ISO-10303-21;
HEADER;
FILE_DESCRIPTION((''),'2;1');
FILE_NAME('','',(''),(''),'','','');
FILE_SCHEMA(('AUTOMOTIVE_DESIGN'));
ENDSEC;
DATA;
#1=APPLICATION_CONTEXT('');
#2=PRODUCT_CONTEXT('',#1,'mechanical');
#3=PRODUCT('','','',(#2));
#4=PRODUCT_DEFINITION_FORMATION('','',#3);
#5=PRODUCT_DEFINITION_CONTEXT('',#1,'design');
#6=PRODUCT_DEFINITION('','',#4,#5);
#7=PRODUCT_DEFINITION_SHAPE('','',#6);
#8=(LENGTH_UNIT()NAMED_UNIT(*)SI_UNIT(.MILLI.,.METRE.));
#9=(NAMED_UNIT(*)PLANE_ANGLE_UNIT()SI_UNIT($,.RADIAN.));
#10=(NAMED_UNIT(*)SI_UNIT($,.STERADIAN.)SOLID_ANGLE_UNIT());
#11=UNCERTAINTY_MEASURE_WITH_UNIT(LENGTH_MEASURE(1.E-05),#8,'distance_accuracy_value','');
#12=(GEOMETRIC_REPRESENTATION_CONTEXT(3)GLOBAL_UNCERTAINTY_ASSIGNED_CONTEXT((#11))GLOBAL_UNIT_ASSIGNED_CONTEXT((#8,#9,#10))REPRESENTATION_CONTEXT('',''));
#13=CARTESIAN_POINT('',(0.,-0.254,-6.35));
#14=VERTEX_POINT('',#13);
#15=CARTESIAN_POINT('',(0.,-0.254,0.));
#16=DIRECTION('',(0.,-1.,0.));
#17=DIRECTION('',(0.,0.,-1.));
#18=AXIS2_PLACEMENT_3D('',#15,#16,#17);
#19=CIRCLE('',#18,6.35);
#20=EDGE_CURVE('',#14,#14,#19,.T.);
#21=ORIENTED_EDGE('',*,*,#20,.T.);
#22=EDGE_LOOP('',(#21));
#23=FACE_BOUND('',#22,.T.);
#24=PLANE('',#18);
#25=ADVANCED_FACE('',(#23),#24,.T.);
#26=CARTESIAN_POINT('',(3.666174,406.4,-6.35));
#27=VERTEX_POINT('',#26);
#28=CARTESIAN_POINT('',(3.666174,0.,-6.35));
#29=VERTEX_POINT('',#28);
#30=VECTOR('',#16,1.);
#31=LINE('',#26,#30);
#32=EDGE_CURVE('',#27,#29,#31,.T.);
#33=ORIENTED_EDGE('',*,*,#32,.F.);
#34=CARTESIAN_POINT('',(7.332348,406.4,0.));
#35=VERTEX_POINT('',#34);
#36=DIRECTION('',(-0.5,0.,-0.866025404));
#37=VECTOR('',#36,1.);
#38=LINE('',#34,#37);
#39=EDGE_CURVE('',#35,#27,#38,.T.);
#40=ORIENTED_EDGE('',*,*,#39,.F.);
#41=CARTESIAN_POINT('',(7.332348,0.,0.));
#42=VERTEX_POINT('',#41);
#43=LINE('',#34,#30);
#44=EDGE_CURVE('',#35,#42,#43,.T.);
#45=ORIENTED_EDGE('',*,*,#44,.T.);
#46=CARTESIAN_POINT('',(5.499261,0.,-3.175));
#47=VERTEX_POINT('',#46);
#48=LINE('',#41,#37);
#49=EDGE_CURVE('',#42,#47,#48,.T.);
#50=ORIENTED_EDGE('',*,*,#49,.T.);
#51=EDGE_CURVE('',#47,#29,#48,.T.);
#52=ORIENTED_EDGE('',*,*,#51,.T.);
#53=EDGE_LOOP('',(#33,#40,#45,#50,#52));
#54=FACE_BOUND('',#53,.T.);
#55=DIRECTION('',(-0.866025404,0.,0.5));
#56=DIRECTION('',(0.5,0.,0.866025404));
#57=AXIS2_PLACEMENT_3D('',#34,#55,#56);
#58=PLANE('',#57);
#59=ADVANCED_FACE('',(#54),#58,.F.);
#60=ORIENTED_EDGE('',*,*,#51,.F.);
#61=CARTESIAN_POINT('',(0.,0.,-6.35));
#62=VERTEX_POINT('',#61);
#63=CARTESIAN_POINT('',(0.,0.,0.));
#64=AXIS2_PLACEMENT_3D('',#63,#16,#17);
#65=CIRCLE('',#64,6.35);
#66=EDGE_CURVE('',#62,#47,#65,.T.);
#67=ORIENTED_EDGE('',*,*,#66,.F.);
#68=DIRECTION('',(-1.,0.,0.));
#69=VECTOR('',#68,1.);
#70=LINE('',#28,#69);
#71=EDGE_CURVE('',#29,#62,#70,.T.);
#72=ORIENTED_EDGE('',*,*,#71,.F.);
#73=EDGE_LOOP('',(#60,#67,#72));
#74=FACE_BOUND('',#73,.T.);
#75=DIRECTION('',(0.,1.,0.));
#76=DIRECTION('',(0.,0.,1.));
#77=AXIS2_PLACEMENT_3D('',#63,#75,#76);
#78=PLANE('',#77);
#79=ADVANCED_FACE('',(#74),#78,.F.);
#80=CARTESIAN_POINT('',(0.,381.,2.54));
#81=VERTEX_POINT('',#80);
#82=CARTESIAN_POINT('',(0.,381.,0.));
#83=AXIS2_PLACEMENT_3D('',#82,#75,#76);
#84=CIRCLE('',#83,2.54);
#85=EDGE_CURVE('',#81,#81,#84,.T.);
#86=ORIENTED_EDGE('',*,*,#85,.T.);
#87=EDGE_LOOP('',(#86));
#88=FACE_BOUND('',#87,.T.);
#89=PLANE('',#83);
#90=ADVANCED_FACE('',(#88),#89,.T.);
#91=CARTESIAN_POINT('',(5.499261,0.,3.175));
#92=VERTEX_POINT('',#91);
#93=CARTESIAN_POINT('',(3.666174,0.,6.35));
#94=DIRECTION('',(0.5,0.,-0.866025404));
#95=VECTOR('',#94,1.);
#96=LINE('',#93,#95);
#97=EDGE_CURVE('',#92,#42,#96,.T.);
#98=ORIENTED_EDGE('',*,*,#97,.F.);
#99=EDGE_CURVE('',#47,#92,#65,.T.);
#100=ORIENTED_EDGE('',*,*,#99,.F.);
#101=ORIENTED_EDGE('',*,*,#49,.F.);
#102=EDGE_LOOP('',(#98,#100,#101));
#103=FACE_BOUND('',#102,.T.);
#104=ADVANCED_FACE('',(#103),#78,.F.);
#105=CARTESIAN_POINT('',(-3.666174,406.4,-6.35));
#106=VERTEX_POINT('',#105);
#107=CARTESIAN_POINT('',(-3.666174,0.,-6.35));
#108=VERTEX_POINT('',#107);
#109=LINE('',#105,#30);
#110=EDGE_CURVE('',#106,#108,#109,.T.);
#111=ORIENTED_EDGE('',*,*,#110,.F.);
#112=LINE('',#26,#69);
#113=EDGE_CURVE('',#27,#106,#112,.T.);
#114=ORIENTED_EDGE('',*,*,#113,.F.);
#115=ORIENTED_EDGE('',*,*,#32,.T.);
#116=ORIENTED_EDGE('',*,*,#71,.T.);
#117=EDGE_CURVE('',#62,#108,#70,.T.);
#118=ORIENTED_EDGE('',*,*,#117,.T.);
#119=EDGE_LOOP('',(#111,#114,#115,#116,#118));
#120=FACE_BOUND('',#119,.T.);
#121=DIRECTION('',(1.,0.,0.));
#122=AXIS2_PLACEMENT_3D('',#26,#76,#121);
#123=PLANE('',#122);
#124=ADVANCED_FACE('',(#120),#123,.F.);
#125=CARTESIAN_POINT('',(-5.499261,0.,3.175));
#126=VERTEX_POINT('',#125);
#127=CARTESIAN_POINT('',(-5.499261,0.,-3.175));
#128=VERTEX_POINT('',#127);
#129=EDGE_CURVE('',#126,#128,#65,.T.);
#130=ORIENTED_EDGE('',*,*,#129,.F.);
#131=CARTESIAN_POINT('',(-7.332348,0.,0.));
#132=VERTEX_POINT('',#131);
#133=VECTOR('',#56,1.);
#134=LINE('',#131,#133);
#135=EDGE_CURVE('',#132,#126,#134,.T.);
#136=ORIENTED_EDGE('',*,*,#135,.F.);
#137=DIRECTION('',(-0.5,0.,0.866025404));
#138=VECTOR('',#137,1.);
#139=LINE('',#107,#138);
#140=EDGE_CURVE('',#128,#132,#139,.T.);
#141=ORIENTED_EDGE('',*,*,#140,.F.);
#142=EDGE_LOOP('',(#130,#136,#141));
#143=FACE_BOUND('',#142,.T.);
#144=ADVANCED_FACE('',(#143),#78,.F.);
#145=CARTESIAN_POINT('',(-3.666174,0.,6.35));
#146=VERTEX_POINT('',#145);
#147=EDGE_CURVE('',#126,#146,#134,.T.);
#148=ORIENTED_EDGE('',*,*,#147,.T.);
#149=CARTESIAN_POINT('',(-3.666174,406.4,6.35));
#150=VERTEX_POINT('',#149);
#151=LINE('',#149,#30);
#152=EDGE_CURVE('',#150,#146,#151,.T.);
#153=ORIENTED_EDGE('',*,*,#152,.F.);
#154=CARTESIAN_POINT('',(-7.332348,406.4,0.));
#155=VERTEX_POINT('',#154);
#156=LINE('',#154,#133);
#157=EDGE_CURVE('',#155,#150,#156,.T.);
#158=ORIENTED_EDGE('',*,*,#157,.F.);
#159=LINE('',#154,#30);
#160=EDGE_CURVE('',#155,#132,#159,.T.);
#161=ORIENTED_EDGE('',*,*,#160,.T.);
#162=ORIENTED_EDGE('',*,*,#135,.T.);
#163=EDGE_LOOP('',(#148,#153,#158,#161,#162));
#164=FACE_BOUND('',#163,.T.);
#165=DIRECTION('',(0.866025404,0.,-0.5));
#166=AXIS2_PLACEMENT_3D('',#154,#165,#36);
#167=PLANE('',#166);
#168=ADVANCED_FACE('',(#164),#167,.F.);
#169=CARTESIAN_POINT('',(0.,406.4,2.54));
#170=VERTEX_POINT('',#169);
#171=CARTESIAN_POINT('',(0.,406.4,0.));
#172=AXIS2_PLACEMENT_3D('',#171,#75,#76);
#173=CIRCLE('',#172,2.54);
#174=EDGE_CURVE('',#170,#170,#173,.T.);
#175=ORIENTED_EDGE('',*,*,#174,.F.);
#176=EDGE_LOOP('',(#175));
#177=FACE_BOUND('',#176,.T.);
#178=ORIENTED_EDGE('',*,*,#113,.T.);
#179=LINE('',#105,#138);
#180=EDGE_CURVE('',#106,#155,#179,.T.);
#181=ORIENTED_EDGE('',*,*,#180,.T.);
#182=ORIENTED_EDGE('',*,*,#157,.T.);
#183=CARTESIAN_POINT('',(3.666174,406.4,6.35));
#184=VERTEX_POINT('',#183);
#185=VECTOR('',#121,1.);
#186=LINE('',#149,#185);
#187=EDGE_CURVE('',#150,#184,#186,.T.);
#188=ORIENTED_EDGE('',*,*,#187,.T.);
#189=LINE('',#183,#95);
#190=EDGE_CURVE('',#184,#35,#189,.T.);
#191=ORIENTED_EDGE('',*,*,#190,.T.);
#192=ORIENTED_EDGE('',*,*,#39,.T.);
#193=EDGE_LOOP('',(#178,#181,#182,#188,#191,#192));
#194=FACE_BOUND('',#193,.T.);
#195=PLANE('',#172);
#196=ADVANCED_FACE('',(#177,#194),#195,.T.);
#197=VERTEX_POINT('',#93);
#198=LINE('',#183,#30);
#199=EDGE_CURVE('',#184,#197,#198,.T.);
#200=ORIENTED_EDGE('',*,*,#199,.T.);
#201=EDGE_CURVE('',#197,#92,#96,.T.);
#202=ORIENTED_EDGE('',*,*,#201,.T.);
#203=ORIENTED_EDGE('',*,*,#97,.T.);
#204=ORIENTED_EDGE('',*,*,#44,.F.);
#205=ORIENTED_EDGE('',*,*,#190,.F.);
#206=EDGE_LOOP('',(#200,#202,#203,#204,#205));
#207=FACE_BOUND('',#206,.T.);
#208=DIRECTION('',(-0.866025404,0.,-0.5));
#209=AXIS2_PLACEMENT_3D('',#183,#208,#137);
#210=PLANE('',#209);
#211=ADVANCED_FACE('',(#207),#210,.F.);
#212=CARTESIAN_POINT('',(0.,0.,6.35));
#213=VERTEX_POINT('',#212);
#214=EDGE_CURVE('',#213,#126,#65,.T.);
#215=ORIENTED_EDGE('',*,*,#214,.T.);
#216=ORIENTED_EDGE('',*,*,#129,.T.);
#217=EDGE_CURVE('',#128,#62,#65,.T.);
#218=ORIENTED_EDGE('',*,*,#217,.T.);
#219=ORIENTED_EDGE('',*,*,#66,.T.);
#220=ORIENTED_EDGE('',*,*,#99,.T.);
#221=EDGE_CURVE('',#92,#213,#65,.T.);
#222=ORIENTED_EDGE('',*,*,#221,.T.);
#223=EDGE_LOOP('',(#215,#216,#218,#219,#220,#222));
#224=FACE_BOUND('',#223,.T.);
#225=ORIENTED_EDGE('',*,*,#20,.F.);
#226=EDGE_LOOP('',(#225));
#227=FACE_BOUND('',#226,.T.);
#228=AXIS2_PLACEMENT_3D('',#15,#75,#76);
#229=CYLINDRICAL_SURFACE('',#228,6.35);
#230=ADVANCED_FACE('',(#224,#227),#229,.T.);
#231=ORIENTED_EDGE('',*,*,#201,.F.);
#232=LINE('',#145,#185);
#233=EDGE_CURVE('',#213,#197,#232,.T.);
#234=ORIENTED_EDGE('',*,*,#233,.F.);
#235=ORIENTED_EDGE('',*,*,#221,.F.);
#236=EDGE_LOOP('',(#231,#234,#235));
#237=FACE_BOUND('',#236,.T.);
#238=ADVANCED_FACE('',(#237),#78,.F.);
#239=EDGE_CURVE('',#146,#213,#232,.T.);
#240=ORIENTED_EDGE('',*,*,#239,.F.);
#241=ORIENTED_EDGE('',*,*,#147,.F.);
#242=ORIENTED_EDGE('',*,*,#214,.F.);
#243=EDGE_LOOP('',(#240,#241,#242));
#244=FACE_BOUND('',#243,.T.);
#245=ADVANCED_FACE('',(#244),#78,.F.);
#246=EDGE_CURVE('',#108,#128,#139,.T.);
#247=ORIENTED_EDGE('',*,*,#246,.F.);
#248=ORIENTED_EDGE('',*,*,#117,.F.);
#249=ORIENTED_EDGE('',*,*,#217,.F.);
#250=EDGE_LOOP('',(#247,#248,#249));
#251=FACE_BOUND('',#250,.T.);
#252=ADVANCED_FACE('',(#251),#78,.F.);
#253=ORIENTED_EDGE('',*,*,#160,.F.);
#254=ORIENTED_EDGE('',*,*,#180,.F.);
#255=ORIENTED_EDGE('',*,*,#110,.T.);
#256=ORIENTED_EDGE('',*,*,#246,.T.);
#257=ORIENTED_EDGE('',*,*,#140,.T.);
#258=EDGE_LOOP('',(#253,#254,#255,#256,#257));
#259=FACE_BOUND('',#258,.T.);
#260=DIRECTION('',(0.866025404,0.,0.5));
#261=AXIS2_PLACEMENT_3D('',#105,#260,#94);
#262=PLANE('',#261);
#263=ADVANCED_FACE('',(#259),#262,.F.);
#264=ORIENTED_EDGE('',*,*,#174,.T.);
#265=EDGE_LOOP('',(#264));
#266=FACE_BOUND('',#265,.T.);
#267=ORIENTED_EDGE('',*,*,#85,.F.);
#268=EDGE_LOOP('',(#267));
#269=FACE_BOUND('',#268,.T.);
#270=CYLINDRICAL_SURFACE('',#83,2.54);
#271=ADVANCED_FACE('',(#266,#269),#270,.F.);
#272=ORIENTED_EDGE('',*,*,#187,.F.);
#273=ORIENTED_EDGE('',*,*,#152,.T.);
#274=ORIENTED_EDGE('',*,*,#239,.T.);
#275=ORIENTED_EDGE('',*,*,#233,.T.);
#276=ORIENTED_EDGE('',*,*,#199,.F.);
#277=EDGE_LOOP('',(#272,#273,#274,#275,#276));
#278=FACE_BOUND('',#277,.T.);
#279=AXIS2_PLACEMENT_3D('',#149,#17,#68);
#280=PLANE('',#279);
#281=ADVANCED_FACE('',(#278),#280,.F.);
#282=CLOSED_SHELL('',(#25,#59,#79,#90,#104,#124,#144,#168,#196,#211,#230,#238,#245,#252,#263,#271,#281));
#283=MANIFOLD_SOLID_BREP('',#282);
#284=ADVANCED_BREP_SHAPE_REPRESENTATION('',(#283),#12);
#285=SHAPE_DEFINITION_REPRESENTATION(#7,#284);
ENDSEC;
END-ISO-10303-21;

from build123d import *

# Parameters (mm, degrees)
BOSS_EXTRUDE1_DEPTH = 406.4
SKETCH2_R           = 2.54
CUT_EXTRUDE1_DEPTH  = 25.4
SKETCH3_R           = 6.35
BOSS_EXTRUDE2_DEPTH = 0.254


with BuildPart() as part:
    # Sketch1 → Boss-Extrude1 (new body)
    with BuildSketch(Plane(origin=(0, 0, 0), x_dir=(1, 0, 0), z_dir=(0, 1, 0))):
        Polygon((7.332348419, 0), (3.666174209, 6.35), (-3.666174209, 6.35), (-7.332348419, 0), (-3.666174209, -6.35), (3.666174209, -6.35), align=None)
    extrude(amount=BOSS_EXTRUDE1_DEPTH)

    # Sketch2 → Cut-Extrude1 (cut)
    with BuildSketch(Plane(origin=(0, 406.4, 0), x_dir=(1, 0, 0), z_dir=(0, 1, 0))):
        Circle(SKETCH2_R)
    extrude(amount=-CUT_EXTRUDE1_DEPTH, mode=Mode.SUBTRACT)

    # Sketch3 → Boss-Extrude2 (add)
    with BuildSketch(Plane.XZ):
        Circle(SKETCH3_R)
    extrude(amount=BOSS_EXTRUDE2_DEPTH)


solid = part.part
